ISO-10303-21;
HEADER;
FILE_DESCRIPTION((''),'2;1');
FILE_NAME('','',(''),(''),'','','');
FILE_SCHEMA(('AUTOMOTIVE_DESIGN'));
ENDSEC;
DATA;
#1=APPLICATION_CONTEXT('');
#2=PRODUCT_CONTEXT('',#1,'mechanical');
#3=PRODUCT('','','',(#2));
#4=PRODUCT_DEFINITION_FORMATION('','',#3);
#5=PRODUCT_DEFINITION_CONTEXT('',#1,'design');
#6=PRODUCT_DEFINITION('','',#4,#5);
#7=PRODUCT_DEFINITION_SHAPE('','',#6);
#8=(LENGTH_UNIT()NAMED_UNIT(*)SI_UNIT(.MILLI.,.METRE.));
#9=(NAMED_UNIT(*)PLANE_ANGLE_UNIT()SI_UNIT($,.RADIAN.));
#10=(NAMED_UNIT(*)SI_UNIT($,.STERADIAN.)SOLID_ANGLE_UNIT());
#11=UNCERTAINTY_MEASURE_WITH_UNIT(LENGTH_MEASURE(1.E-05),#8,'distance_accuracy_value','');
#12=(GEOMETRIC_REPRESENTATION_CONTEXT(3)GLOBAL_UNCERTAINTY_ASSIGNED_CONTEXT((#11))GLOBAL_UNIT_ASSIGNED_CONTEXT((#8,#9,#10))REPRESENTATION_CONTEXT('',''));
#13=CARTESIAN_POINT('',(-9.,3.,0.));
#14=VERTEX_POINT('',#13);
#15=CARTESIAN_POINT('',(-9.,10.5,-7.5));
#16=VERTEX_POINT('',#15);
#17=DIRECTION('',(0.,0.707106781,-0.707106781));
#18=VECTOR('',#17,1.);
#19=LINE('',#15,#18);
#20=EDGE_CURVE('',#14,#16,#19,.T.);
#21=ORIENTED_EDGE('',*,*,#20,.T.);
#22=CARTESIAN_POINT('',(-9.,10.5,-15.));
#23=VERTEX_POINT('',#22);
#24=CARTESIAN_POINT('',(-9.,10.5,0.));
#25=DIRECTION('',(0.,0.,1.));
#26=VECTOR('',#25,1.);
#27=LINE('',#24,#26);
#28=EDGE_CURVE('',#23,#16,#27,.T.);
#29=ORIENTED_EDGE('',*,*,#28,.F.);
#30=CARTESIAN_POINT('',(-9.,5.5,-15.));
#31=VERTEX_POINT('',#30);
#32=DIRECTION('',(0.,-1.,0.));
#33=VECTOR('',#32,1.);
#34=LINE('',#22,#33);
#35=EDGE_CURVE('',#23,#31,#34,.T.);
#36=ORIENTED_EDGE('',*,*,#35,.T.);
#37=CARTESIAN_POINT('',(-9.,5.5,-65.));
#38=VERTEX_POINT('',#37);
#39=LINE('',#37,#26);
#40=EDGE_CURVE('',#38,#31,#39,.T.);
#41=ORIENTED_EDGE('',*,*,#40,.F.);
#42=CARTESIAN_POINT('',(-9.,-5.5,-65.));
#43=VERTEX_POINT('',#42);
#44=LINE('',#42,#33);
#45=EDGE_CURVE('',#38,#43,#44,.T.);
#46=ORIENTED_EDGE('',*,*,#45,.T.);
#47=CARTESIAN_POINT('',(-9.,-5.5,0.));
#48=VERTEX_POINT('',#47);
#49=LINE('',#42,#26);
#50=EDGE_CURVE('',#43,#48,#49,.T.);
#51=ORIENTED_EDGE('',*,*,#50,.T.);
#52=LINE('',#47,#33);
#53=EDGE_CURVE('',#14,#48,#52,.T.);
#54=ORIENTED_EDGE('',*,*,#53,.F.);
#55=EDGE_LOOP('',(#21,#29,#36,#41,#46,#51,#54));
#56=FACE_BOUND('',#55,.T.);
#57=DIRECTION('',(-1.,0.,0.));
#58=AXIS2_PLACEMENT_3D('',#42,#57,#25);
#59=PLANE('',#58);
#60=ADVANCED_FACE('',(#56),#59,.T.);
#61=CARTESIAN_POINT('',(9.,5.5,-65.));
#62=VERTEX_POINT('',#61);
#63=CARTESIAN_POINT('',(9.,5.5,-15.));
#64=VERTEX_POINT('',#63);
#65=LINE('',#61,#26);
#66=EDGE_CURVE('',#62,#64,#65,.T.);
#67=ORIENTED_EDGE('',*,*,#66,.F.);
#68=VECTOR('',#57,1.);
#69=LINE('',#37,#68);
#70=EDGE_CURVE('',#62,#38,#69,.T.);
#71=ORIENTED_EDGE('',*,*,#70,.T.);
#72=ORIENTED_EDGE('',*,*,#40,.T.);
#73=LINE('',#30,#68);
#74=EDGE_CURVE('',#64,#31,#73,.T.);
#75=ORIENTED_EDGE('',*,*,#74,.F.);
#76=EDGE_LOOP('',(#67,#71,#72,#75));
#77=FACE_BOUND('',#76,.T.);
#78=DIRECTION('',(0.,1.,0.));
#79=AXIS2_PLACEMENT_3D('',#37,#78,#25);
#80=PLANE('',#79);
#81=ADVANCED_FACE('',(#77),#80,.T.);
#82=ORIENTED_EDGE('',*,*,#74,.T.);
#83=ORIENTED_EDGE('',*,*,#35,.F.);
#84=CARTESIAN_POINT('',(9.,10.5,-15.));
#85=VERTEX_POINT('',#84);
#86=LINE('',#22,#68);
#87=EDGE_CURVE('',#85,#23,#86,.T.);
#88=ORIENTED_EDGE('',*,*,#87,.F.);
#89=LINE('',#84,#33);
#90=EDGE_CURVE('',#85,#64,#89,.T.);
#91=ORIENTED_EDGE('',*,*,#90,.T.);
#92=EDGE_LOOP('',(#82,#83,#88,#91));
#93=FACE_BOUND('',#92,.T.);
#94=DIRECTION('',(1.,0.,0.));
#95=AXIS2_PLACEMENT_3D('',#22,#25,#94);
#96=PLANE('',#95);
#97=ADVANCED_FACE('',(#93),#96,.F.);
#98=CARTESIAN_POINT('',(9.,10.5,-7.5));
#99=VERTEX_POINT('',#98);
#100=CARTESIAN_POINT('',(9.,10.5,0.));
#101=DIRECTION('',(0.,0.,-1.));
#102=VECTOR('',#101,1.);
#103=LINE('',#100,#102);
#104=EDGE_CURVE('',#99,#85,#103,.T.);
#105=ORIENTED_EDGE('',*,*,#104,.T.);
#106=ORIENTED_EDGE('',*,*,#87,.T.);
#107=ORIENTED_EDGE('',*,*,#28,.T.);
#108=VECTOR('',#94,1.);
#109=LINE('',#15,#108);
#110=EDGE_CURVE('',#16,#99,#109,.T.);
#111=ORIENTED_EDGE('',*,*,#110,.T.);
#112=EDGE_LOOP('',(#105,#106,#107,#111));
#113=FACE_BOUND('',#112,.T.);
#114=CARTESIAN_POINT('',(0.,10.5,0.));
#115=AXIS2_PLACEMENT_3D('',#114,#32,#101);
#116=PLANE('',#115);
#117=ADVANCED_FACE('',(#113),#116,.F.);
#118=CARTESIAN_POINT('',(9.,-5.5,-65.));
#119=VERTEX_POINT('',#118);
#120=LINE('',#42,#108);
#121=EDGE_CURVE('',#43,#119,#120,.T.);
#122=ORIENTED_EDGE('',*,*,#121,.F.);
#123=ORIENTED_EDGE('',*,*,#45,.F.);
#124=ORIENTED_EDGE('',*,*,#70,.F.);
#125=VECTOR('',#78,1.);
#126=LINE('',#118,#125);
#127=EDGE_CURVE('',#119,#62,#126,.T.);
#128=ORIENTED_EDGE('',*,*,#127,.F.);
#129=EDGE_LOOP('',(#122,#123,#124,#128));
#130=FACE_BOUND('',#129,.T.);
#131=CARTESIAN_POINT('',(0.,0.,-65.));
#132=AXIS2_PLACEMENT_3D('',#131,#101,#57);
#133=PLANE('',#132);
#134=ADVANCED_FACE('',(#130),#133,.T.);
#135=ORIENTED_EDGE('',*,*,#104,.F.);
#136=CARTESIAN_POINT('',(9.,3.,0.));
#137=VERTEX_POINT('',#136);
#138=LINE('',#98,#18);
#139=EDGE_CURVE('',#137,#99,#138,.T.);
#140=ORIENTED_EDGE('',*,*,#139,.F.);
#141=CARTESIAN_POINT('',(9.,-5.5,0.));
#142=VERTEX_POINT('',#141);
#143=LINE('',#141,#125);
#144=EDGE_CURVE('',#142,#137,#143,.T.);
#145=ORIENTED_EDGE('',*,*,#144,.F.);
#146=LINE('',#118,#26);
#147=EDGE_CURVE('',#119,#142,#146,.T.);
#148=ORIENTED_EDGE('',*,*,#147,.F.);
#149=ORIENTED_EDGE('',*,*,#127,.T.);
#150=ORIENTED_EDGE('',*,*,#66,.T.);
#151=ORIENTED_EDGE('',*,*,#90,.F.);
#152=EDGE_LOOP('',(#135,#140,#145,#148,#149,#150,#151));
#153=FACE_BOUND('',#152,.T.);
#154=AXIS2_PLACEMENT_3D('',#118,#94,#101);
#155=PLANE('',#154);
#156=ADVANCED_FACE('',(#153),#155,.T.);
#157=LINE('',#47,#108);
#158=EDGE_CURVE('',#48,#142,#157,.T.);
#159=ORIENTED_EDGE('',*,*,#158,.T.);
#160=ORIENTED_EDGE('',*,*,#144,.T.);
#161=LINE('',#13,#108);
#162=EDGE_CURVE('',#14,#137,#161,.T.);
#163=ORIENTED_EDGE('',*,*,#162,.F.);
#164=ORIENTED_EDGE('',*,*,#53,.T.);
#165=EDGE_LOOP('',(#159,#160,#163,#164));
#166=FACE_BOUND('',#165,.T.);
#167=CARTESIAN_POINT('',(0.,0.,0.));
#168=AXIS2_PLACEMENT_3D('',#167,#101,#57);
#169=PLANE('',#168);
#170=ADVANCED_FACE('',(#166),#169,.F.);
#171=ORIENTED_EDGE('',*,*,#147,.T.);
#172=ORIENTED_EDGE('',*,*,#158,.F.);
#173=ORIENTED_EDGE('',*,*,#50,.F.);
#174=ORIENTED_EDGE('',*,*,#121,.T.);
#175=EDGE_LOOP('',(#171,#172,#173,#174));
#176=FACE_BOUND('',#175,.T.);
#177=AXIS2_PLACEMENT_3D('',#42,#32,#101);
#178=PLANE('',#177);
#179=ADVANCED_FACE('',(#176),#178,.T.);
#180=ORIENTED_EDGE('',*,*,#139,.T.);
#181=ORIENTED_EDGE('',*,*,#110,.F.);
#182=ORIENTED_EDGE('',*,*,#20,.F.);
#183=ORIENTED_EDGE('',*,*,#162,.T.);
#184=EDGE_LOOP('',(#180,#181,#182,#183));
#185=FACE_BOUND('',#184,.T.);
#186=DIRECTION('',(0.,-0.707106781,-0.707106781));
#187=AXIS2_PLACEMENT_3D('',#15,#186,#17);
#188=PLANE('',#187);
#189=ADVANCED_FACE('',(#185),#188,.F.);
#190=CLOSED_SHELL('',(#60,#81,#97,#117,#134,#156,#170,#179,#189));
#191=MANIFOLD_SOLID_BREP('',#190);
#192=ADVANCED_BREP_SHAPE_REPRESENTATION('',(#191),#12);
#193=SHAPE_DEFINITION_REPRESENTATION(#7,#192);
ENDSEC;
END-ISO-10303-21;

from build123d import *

# Parameters (mm, degrees)
SKETCH1_W           = 18
SKETCH1_H           = 11
BOSS_EXTRUDE1_DEPTH = 65
SKETCH2_W           = 18
SKETCH2_H           = 15
BOSS_EXTRUDE2_DEPTH = 5
CUT_EXTRUDE1_DEPTH  = 69.258699079


with BuildPart() as part:
    # Sketch1 → Boss-Extrude1 (new body)
    with BuildSketch(Plane.XY):
        Rectangle(SKETCH1_W, SKETCH1_H)
    extrude(amount=-BOSS_EXTRUDE1_DEPTH)

    # Sketch2 → Boss-Extrude2 (add)
    with BuildSketch(Plane(origin=(0, 5.5, 0), x_dir=(1, 0, 0), z_dir=(0, 1, 0))):
        with Locations((0, 7.5)):
            Rectangle(SKETCH2_W, SKETCH2_H)
    extrude(amount=BOSS_EXTRUDE2_DEPTH)

    # Sketch3 → Cut-Extrude1 (cut, through all)
    with BuildSketch(Plane(origin=(9, 0, 0), x_dir=(0, 0, -1), z_dir=(1, 0, 0))):
        Polygon((7.5, 10.5), (0, 3), (0, 10.5), align=None)
    extrude(amount=-CUT_EXTRUDE1_DEPTH, mode=Mode.SUBTRACT)


solid = part.part
